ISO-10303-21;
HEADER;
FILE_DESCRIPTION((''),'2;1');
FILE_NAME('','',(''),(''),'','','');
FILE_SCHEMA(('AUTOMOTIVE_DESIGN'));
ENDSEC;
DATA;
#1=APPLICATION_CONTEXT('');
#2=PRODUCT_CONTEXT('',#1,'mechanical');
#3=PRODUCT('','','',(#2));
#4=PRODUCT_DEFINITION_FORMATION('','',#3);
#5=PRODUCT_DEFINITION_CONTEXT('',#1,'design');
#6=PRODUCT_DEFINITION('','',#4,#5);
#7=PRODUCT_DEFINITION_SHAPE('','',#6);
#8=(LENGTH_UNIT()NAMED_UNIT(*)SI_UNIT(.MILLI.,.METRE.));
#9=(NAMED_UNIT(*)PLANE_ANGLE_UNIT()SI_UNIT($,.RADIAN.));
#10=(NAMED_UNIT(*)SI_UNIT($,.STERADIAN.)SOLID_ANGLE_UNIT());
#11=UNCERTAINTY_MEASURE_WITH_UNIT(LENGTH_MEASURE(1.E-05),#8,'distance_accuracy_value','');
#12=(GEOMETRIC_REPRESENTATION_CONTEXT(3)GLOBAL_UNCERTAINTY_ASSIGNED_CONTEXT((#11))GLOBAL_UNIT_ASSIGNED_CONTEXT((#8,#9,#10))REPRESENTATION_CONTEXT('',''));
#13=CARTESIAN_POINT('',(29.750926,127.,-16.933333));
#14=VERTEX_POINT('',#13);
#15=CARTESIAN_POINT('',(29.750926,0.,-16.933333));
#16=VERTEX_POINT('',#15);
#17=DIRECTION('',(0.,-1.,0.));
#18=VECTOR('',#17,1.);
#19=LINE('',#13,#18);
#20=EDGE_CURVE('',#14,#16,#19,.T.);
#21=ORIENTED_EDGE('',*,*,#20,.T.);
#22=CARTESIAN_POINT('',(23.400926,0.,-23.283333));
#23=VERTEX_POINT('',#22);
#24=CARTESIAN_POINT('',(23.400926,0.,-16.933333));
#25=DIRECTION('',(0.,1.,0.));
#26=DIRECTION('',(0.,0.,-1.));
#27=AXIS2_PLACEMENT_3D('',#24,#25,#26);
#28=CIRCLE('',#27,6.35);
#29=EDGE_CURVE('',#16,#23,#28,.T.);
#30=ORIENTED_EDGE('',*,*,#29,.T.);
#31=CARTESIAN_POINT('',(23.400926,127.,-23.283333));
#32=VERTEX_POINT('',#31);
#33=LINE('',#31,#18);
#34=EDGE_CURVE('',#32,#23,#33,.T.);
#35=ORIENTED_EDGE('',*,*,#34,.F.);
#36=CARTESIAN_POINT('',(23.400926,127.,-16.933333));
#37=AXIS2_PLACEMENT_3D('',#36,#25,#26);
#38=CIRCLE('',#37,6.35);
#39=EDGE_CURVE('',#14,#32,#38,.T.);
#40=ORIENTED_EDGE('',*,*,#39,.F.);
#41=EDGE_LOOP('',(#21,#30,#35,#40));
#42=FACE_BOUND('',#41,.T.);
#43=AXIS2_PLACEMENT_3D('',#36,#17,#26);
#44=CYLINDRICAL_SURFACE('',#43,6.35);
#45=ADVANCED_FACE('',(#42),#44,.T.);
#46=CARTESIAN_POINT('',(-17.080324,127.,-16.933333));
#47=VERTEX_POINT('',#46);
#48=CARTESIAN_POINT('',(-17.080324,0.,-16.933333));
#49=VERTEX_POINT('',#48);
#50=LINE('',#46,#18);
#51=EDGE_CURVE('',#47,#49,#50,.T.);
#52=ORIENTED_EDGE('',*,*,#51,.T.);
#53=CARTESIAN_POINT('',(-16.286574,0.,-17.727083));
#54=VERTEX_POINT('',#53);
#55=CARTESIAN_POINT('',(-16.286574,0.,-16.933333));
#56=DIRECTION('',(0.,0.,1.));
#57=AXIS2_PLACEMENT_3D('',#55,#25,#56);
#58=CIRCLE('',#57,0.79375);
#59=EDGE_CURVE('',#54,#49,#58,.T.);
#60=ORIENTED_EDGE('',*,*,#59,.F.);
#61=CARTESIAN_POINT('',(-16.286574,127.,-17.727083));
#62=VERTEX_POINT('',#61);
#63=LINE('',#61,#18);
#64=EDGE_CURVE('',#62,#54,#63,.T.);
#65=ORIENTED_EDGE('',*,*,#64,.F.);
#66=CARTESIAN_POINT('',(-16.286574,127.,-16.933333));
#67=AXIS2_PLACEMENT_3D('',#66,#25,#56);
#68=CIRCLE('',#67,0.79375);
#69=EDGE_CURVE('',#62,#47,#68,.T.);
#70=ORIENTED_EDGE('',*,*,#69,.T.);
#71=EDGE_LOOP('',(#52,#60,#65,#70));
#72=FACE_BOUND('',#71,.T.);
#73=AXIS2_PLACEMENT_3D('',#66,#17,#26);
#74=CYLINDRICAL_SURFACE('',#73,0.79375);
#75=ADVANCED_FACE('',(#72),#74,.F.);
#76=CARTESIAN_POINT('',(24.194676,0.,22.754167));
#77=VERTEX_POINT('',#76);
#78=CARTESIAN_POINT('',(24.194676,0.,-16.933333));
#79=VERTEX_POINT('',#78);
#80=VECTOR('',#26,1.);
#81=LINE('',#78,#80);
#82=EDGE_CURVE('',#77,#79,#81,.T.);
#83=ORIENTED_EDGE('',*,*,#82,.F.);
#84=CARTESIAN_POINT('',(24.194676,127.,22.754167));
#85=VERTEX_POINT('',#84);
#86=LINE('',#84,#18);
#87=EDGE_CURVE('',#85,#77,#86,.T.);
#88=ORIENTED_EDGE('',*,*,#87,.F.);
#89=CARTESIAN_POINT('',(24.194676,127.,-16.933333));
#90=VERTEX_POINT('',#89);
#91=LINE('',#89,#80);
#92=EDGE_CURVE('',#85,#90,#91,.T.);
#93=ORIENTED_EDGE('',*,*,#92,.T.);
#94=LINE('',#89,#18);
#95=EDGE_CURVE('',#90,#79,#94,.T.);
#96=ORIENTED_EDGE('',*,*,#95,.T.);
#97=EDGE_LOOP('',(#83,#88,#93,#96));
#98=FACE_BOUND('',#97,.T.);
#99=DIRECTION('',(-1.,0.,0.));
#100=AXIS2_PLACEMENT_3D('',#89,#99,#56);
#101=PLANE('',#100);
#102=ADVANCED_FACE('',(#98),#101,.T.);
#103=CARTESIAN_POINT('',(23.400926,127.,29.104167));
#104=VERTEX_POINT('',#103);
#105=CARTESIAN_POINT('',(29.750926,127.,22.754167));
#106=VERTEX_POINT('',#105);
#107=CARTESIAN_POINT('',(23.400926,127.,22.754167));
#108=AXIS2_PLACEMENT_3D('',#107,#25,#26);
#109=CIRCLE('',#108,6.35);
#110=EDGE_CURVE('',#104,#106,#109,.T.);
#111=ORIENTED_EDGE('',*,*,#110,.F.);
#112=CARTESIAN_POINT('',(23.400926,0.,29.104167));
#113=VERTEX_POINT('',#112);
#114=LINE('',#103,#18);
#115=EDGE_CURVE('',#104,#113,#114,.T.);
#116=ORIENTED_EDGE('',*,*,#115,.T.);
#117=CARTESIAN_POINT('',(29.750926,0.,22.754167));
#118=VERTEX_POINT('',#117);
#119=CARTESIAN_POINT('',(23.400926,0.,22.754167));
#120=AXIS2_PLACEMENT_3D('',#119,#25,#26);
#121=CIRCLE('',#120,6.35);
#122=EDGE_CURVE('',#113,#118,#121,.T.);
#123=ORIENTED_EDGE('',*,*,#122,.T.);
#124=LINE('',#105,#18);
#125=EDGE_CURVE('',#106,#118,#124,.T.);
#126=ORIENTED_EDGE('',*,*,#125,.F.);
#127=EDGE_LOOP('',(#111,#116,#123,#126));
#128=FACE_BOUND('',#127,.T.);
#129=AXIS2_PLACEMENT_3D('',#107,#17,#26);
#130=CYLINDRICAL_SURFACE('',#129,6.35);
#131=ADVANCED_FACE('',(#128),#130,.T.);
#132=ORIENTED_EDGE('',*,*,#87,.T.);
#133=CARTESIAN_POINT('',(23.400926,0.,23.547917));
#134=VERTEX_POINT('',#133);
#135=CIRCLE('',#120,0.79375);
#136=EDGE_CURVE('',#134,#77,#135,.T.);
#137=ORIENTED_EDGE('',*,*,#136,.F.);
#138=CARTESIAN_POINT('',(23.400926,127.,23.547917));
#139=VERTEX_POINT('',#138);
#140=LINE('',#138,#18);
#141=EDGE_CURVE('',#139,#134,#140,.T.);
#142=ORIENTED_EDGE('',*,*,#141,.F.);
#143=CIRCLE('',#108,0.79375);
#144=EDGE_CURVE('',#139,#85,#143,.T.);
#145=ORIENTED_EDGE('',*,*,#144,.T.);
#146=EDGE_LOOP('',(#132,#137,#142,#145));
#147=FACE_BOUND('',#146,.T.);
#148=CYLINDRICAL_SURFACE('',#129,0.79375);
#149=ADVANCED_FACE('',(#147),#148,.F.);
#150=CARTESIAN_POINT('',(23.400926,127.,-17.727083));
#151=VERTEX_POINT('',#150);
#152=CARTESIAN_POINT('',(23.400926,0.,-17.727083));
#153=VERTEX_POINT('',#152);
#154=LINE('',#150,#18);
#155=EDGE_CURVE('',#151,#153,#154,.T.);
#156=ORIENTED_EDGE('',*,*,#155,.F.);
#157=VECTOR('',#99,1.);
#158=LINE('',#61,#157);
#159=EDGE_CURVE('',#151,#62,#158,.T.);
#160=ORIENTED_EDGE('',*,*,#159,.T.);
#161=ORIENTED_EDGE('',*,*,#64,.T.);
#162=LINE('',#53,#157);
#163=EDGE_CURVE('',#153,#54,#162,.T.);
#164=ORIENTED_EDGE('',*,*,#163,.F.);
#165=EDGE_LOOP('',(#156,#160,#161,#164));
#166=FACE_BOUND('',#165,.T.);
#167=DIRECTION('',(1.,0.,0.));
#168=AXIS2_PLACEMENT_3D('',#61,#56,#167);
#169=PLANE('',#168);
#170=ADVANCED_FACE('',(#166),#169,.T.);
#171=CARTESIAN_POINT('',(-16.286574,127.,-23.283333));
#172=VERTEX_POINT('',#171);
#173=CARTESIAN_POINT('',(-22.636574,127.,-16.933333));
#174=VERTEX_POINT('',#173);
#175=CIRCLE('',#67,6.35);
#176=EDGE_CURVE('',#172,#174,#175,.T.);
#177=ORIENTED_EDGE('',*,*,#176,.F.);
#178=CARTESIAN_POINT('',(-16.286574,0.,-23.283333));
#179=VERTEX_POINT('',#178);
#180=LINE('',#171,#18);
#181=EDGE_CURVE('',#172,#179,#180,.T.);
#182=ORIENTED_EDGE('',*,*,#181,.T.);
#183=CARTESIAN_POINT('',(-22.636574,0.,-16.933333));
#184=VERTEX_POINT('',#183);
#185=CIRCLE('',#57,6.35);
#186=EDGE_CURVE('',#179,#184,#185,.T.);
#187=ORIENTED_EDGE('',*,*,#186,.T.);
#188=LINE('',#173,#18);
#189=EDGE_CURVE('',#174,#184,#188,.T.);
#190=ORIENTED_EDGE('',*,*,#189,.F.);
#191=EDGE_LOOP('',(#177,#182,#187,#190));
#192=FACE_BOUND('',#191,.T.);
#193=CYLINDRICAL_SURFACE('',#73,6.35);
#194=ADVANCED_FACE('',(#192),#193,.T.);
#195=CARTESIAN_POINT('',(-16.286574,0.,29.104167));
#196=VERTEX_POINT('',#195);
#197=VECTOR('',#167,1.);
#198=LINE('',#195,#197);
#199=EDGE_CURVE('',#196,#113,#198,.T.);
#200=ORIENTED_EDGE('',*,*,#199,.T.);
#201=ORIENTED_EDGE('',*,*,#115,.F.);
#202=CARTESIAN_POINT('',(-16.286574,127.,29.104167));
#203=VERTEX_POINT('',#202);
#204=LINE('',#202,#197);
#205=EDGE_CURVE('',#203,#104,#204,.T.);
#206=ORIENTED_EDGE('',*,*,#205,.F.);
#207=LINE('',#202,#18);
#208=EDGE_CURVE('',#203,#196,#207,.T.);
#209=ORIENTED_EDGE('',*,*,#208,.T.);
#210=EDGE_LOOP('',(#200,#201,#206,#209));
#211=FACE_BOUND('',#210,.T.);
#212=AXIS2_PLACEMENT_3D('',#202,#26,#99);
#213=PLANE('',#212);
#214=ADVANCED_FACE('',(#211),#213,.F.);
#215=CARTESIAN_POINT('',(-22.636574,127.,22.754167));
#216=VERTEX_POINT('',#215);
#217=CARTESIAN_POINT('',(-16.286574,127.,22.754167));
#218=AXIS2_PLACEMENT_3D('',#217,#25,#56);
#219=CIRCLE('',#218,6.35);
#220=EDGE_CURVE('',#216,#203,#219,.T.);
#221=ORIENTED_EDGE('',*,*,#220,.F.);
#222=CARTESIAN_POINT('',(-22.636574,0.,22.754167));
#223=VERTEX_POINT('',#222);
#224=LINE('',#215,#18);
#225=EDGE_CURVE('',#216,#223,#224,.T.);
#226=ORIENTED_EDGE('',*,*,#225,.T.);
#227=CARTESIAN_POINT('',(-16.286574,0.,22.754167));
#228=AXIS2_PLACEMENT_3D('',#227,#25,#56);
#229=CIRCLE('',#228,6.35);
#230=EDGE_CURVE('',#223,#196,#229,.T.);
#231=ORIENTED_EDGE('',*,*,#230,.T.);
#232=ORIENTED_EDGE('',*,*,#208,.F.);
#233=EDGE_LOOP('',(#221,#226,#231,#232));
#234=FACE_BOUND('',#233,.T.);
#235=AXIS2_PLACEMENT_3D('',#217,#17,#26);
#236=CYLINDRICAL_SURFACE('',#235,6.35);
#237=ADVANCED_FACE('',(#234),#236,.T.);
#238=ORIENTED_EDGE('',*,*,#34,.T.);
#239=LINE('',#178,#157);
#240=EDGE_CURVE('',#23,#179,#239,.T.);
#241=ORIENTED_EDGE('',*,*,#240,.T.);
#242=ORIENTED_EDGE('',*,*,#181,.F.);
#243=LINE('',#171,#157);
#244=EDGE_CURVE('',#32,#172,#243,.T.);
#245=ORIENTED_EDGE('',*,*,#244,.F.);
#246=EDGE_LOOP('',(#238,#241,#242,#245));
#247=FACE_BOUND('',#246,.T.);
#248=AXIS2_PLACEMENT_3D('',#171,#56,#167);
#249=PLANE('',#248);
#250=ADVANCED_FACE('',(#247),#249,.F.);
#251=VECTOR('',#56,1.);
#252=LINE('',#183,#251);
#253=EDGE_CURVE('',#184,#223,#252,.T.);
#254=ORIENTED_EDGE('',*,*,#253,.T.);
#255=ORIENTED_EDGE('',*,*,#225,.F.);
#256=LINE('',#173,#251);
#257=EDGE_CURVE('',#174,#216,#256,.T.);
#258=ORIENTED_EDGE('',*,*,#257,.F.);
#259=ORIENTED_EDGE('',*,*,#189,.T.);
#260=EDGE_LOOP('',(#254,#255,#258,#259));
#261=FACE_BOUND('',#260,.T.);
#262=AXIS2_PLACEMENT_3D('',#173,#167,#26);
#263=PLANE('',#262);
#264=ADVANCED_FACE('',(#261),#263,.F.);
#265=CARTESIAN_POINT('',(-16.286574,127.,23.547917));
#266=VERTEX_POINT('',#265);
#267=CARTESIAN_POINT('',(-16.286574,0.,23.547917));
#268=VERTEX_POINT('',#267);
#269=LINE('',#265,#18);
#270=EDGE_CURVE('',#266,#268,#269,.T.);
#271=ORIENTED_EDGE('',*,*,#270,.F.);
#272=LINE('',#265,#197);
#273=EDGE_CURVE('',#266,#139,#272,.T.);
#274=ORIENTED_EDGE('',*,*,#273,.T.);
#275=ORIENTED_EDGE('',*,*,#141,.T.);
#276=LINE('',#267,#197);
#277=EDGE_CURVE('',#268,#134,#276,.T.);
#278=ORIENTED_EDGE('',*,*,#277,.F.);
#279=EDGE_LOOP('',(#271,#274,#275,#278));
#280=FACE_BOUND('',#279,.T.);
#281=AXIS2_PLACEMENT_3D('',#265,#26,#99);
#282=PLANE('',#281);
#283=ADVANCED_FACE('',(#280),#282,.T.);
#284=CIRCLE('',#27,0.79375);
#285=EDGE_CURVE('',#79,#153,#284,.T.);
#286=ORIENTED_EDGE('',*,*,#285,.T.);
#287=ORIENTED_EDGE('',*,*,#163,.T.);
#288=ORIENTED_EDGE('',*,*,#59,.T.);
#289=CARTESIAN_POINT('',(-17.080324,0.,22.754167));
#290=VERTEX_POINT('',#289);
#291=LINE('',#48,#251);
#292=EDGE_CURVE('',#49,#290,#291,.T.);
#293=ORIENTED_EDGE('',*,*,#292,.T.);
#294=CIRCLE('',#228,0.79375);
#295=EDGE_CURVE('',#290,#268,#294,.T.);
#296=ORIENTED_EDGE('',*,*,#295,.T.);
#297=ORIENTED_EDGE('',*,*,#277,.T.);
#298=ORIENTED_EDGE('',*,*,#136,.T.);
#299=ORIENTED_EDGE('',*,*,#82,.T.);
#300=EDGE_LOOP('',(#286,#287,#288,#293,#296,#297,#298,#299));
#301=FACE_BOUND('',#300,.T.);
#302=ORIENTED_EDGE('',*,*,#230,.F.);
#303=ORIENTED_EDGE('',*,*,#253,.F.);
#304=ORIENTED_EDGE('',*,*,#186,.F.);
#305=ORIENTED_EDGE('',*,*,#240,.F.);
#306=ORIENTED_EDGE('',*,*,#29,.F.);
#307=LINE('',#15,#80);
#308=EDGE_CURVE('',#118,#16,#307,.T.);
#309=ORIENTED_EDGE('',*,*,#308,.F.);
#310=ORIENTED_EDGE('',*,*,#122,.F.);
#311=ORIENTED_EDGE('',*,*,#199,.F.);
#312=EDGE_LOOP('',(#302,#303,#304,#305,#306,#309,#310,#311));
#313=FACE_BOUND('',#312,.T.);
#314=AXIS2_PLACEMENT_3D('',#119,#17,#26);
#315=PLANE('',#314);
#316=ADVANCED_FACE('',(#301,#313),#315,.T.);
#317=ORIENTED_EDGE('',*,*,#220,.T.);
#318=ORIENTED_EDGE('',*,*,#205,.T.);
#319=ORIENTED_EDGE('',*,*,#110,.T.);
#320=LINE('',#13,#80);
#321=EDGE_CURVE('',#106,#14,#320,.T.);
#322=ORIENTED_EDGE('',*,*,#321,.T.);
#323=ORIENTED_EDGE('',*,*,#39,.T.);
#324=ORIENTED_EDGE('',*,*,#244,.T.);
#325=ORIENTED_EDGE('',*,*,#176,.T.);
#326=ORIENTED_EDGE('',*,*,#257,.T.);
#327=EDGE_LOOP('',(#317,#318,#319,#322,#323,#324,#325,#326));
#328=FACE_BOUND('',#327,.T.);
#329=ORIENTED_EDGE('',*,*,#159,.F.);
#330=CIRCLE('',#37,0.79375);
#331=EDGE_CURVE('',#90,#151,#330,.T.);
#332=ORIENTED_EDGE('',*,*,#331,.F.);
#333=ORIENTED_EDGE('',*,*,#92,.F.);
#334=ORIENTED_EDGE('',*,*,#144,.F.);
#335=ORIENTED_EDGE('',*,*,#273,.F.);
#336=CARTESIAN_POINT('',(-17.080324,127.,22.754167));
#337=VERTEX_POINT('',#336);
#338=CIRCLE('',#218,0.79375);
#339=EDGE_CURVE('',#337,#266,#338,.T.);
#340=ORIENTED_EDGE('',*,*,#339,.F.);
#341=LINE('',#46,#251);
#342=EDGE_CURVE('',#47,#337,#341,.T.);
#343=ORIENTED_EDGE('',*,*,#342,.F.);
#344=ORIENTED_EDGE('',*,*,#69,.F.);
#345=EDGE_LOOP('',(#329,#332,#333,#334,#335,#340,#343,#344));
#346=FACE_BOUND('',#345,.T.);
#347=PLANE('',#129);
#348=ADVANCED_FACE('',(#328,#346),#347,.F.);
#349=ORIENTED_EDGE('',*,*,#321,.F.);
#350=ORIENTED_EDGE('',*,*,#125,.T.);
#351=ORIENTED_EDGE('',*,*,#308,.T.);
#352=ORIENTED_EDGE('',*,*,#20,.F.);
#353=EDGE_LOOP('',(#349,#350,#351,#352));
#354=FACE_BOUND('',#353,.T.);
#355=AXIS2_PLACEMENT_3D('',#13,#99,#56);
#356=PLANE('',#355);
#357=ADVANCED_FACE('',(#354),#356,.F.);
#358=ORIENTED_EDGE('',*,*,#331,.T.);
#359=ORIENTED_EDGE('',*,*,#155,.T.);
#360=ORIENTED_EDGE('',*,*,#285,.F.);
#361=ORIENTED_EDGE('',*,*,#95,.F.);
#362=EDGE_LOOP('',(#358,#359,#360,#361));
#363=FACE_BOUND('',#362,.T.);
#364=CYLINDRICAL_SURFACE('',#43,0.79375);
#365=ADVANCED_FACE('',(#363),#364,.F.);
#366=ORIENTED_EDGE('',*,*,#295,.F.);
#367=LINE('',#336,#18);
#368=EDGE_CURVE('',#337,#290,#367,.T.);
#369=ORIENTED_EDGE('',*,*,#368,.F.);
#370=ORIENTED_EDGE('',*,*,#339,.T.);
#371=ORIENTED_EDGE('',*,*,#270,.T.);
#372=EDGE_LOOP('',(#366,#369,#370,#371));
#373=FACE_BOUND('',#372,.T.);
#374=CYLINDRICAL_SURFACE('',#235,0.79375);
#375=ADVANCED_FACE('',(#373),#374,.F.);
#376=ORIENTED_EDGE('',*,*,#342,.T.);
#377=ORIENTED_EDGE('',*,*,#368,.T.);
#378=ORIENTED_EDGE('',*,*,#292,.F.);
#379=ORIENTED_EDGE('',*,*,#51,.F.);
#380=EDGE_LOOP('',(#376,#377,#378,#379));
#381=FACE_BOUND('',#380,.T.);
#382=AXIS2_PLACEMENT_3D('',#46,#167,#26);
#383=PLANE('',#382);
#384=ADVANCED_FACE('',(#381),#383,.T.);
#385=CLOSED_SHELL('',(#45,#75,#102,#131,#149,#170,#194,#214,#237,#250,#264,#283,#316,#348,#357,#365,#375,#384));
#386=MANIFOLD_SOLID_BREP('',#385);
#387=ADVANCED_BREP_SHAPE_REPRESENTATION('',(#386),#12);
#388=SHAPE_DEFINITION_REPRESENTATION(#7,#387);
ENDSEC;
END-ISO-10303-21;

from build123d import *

# Parameters (mm, degrees)
BOSS_EXTRUDE1_DEPTH = 127


with BuildPart() as part:
    # Sketch1 → Boss-Extrude1 (new body)
    with BuildSketch(Plane(origin=(0, 0, 0), x_dir=(1, 0, 0), z_dir=(0, 1, 0))):
        with BuildLine():
            Line((-16.286574074, 23.283333333), (23.400925926, 23.283333333))
            ThreePointArc((23.400925926, 23.283333333), (27.891053986, 21.423461394), (29.750925926, 16.933333333))
            Line((29.750925926, 16.933333333), (29.750925926, -22.754166667))
            ThreePointArc((29.750925926, -22.754166667), (27.891053986, -27.244294727), (23.400925926, -29.104166667))
            Line((23.400925926, -29.104166667), (-16.286574074, -29.104166667))
            ThreePointArc((-16.286574074, -29.104166667), (-20.776702135, -27.244294727), (-22.636574074, -22.754166667))
            Line((-22.636574074, -22.754166667), (-22.636574074, 16.933333333))
            ThreePointArc((-22.636574074, 16.933333333), (-20.776702135, 21.423461394), (-16.286574074, 23.283333333))
        make_face()
        with BuildLine():
            Line((24.194675926, 16.933333333), (24.194675926, -22.754166667))
            ThreePointArc((24.194675926, -22.754166667), (23.962191933, -23.315432674), (23.400925926, -23.547916667))
            Line((23.400925926, -23.547916667), (-16.286574074, -23.547916667))
            ThreePointArc((-16.286574074, -23.547916667), (-16.847840082, -23.315432674), (-17.080324074, -22.754166667))
            Line((-17.080324074, -22.754166667), (-17.080324074, 16.933333333))
            ThreePointArc((-17.080324074, 16.933333333), (-16.847840082, 17.494599341), (-16.286574074, 17.727083333))
            Line((-16.286574074, 17.727083333), (23.400925926, 17.727083333))
            ThreePointArc((23.400925926, 17.727083333), (23.962191933, 17.494599341), (24.194675926, 16.933333333))
        make_face(mode=Mode.SUBTRACT)
    extrude(amount=BOSS_EXTRUDE1_DEPTH)


solid = part.part
